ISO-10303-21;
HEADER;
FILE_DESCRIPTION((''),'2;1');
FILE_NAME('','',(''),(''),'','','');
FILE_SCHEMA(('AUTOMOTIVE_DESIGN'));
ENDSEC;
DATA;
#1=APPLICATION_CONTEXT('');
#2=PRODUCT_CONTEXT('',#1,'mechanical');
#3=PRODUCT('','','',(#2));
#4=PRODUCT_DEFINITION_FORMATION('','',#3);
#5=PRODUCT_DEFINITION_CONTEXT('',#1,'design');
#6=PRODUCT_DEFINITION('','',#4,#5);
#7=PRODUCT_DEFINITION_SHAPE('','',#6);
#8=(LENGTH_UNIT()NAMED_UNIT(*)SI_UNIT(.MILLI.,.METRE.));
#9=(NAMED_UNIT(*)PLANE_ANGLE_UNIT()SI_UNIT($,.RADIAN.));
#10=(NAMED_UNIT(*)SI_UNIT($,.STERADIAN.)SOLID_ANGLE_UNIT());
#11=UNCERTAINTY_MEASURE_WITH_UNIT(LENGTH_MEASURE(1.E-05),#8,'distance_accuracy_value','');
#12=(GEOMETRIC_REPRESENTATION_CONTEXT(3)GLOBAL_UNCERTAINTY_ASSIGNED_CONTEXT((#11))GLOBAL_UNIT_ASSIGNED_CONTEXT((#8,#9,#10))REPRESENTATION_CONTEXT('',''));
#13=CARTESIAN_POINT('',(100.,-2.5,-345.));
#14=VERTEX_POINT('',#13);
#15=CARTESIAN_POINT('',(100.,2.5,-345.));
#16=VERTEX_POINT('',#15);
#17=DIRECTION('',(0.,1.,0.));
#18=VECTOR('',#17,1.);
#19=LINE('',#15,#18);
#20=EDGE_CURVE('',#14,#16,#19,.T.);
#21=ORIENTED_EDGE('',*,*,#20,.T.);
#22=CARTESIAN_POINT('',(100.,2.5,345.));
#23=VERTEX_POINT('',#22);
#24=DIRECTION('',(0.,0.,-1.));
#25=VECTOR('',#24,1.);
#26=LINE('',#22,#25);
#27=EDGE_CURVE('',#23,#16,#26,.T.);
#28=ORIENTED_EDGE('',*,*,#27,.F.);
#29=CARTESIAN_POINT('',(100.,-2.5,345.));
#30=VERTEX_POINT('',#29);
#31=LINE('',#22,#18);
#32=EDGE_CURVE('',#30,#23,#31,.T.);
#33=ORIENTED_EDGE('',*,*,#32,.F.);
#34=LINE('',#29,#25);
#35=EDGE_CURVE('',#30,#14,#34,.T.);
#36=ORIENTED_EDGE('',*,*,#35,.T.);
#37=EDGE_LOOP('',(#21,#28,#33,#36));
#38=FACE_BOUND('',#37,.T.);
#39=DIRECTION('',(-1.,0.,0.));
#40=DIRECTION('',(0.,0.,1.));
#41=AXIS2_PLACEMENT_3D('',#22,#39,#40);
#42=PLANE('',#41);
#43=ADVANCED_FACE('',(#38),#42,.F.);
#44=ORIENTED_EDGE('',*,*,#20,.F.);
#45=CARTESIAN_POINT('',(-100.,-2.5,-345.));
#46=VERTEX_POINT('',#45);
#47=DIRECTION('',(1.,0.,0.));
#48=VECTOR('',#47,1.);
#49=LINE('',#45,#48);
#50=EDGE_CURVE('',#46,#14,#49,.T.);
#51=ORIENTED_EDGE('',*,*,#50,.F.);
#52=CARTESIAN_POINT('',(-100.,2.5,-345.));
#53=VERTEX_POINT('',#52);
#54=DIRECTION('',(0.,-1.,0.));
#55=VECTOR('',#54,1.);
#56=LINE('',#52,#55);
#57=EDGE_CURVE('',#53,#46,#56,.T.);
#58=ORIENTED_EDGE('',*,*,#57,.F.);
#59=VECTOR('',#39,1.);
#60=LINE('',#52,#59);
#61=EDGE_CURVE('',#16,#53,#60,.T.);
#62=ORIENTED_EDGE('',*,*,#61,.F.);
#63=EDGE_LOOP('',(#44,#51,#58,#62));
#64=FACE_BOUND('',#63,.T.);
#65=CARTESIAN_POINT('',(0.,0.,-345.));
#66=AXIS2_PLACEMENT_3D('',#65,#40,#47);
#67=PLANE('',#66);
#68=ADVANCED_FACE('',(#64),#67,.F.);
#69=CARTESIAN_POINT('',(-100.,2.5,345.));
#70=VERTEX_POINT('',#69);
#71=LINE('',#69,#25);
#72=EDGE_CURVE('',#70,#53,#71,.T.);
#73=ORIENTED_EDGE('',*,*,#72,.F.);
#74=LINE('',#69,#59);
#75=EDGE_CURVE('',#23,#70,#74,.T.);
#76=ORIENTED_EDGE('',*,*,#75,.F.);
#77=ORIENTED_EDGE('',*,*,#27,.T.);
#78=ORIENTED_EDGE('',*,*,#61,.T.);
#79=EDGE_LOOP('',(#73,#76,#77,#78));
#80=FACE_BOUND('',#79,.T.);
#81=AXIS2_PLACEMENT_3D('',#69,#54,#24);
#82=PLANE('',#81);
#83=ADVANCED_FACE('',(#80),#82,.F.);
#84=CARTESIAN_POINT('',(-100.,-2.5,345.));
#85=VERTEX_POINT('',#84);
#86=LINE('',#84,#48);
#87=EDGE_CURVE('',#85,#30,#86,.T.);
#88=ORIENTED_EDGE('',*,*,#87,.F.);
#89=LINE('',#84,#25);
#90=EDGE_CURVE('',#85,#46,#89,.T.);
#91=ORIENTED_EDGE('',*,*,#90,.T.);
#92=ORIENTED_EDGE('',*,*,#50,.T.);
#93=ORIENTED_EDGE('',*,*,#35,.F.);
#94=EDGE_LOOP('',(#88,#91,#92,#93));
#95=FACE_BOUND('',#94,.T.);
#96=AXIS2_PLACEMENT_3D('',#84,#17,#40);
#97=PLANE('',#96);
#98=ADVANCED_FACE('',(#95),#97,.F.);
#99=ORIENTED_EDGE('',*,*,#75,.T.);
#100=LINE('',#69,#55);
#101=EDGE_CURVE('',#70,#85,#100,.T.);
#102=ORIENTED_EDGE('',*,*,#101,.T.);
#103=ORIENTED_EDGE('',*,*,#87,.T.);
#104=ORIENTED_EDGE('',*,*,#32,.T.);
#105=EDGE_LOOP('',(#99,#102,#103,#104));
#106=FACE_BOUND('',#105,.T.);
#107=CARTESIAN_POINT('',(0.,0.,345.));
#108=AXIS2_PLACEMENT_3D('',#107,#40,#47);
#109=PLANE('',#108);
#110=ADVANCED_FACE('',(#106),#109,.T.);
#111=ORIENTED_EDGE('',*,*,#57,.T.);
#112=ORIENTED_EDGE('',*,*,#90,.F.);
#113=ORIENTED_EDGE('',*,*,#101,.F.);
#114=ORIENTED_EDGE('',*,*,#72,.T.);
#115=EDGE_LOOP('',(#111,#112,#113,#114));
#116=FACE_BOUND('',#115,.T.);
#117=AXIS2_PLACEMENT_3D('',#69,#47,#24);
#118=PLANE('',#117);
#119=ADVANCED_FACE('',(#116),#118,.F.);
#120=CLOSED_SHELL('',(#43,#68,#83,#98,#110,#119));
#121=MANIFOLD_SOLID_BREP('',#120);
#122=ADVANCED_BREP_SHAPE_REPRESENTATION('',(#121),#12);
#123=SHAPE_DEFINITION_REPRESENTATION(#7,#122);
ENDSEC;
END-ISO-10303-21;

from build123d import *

# Parameters (mm, degrees)
SKETCH_1_W      = 200
SKETCH_1_H      = 5
EXTRUDE_1_DEPTH = 345


with BuildPart() as part:
    # Эскиз1 → Бобышка-Вытянуть1 (new, symmetric)
    with BuildSketch(Plane.XY):
        Rectangle(SKETCH_1_W, SKETCH_1_H)
    extrude(amount=EXTRUDE_1_DEPTH, both=True)


solid = part.part
